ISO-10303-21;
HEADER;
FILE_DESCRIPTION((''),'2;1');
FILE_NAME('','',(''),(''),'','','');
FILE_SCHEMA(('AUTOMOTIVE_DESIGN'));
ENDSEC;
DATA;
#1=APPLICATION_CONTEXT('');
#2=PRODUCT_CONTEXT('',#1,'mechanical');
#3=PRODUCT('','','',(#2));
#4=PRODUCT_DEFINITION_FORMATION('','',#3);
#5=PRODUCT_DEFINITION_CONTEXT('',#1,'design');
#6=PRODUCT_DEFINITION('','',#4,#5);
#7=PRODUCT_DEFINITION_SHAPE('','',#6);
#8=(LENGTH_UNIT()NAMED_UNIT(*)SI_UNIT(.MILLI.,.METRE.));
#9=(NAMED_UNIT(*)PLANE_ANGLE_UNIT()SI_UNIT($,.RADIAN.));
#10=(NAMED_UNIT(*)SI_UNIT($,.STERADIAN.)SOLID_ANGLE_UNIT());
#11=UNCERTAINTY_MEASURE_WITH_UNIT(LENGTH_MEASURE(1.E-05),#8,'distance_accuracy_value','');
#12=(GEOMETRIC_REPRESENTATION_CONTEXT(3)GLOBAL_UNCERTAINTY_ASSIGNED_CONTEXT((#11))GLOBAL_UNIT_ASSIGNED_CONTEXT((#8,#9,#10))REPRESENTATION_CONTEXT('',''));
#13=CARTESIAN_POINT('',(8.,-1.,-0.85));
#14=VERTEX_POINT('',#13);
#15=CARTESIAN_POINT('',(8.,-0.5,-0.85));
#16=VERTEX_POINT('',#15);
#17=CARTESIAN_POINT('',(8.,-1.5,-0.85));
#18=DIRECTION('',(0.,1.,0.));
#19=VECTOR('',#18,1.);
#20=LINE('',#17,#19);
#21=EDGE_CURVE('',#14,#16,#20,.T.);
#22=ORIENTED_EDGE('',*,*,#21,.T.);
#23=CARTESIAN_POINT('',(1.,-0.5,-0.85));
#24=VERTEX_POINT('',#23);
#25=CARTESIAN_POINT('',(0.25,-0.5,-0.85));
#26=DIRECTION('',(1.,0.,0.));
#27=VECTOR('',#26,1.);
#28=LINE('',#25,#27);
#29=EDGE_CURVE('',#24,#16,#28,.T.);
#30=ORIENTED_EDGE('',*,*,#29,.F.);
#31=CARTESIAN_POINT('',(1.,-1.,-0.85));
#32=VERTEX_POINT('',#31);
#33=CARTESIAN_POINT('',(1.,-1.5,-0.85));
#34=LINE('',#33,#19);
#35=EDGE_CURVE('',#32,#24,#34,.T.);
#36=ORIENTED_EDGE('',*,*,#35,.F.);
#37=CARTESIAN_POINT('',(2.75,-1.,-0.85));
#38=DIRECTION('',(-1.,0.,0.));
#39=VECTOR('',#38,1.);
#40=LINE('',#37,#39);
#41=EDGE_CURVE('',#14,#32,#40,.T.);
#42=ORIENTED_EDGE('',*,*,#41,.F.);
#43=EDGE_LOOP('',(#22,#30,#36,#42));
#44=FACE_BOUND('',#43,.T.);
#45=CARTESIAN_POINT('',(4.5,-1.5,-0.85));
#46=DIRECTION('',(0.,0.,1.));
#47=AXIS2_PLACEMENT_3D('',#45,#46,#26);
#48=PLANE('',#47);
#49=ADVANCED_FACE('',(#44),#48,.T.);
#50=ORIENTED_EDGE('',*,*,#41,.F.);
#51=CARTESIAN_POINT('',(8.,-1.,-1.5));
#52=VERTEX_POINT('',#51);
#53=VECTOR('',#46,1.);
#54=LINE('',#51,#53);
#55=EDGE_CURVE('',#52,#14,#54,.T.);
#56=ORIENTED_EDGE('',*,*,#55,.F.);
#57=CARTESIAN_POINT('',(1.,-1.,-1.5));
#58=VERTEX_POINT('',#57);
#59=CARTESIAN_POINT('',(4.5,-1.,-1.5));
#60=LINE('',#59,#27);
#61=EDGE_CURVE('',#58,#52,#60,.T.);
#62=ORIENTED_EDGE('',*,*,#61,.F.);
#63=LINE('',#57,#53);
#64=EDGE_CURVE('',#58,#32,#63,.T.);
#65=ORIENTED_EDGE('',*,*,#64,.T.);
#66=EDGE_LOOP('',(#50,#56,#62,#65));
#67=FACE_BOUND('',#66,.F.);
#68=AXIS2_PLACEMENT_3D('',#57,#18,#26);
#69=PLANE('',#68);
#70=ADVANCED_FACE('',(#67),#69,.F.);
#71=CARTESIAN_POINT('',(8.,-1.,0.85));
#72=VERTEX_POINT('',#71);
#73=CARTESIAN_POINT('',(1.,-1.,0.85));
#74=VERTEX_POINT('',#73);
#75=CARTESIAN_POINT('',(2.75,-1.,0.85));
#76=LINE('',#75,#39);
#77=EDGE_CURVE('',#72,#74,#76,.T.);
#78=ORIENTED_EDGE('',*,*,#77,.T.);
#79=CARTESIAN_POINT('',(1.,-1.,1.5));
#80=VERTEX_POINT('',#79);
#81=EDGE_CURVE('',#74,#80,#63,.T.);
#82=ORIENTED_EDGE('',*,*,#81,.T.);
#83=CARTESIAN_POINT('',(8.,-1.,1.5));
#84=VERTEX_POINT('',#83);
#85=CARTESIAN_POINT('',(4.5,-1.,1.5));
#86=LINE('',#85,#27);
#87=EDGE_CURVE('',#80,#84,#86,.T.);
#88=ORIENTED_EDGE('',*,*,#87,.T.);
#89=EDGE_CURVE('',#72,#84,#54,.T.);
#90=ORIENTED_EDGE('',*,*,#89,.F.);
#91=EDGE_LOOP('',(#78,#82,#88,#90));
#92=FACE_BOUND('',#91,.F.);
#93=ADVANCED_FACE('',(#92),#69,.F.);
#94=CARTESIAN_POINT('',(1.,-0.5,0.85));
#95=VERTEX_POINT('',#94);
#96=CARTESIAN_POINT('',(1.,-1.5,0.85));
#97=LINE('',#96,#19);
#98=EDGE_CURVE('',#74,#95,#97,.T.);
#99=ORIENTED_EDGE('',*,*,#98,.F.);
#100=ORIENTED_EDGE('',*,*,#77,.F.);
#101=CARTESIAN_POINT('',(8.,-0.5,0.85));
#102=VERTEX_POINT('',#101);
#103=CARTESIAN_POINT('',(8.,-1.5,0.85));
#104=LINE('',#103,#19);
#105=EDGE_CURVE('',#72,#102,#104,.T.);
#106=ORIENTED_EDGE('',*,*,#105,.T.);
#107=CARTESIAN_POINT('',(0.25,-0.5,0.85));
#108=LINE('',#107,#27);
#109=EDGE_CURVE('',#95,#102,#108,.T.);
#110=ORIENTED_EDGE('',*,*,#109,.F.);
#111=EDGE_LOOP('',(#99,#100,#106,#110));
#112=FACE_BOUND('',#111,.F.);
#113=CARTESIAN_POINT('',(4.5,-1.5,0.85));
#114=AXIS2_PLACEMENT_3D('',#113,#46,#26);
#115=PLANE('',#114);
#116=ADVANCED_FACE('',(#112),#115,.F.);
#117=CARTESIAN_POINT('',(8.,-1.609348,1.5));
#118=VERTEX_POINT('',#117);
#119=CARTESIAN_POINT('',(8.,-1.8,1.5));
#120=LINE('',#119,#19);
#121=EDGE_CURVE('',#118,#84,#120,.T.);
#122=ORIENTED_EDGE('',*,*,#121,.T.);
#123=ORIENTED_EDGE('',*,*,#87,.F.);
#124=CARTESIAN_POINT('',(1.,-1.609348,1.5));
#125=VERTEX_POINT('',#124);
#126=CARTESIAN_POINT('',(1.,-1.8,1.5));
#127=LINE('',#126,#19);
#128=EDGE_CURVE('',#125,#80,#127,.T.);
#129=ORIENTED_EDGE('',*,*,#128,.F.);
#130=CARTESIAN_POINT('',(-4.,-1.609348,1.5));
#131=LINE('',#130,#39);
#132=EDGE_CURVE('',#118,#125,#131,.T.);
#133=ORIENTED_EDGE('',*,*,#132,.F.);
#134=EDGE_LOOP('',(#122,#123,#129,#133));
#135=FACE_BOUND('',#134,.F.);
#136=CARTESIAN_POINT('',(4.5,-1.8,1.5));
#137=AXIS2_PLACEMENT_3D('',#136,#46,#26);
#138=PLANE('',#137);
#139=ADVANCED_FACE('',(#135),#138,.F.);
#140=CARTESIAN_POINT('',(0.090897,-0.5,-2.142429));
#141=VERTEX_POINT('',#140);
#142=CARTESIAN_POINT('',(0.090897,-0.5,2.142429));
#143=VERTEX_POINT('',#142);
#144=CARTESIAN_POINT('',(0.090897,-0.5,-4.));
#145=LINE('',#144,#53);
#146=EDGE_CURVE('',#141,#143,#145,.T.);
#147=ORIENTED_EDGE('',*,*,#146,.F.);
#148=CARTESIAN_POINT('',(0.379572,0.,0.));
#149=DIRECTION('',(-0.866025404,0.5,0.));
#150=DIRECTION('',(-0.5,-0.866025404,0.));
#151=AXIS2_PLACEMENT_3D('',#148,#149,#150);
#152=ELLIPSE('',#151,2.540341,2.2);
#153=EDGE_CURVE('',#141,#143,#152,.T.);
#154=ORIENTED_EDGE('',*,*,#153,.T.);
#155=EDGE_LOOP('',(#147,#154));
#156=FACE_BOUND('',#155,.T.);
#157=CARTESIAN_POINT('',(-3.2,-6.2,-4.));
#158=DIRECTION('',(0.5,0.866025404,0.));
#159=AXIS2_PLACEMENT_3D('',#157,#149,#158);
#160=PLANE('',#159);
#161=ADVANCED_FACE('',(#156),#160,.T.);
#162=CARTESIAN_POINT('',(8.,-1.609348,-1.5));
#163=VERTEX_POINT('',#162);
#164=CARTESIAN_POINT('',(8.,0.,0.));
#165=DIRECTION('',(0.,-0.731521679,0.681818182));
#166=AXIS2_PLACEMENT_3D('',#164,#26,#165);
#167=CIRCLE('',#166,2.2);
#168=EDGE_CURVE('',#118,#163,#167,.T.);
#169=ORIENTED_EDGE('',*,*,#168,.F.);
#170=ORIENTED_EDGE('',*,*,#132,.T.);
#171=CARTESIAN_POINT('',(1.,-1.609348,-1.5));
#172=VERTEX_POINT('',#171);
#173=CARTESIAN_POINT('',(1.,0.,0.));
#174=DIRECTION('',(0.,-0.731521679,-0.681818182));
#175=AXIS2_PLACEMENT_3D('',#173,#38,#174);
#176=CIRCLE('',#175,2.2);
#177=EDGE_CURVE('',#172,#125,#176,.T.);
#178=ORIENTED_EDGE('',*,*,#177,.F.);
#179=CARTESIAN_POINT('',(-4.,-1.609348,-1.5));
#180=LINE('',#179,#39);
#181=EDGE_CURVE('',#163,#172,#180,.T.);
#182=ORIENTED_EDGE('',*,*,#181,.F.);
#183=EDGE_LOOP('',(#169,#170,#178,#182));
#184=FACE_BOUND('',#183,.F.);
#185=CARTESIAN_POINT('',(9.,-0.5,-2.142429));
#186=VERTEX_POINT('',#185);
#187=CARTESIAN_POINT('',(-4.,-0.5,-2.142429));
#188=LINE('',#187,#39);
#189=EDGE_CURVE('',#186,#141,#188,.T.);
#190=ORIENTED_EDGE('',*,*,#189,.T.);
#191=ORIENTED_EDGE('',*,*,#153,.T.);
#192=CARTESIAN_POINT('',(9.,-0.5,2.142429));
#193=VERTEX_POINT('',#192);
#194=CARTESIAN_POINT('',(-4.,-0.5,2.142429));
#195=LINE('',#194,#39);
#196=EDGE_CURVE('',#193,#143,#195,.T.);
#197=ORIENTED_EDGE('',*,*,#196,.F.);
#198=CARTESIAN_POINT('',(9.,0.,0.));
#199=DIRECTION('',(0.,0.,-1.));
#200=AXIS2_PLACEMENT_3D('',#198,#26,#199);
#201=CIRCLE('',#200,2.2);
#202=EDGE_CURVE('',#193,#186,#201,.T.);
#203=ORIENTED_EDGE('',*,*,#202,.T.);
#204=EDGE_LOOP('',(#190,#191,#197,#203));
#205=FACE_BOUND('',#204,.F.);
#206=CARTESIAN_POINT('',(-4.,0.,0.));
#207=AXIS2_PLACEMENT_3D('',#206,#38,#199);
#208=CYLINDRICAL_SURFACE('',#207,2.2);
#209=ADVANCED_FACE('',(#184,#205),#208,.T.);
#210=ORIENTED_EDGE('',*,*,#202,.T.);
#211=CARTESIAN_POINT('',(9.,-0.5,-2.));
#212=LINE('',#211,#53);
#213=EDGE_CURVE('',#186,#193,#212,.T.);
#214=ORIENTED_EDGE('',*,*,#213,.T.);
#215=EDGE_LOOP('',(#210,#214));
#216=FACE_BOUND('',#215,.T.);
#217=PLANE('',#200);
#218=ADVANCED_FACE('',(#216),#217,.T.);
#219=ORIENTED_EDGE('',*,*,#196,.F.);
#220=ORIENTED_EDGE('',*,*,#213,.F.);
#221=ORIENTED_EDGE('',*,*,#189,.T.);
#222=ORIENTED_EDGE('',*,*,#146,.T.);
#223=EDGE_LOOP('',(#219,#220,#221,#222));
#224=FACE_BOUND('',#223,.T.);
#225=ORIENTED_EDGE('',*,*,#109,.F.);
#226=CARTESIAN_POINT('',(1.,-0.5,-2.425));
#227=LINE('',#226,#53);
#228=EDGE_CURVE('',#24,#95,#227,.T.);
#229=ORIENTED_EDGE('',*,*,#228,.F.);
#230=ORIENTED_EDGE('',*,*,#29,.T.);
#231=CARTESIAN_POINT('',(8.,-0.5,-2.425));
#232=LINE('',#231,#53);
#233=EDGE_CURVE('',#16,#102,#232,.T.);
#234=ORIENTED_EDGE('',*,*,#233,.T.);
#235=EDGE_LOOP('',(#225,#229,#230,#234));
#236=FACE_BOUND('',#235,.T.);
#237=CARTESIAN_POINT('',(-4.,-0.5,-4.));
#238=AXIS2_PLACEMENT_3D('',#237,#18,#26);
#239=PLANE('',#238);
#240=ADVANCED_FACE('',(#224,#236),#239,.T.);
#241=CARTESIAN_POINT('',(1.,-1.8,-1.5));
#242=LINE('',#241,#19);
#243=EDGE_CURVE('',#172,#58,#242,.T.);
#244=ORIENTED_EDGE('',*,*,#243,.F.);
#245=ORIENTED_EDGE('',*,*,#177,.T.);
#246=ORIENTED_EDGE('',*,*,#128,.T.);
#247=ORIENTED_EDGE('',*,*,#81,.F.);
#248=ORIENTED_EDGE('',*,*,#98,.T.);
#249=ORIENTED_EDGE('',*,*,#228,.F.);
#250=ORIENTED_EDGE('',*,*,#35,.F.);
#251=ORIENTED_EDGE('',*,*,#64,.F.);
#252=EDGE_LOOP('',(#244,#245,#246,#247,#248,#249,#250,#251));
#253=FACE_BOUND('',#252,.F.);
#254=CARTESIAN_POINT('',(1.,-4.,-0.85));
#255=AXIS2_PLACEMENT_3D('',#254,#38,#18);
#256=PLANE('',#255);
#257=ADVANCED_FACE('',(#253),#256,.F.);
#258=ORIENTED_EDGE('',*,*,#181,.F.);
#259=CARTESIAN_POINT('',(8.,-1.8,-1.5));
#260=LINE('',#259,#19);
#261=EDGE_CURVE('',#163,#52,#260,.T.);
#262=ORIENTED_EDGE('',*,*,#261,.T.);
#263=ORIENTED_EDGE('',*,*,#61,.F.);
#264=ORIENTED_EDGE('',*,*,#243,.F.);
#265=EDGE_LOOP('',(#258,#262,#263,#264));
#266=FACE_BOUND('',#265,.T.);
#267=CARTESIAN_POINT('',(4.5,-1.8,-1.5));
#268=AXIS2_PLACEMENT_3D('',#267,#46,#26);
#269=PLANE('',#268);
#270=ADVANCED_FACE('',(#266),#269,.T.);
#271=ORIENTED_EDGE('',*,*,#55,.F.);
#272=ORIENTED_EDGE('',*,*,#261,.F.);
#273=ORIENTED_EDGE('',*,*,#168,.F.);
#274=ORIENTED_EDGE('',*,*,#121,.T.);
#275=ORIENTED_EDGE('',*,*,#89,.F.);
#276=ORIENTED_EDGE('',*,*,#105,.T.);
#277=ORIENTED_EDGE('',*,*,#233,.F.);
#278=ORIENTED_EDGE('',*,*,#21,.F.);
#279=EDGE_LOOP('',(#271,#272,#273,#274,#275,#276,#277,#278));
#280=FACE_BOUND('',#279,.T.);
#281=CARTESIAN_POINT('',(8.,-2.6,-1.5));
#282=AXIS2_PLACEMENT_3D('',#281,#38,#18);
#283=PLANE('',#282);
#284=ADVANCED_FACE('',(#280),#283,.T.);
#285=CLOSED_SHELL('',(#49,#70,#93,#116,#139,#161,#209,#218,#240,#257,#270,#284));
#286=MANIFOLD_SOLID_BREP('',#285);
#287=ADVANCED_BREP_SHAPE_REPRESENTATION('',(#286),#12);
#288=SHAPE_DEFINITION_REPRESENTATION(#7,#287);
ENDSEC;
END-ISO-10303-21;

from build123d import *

# Parameters (mm, degrees)
BOX003_W               = 14
BOX003_H               = 10
BOX003_DEPTH           = 10
BOX003_PLACEMENT_ANGLE = 60
BOX002_W               = 7
BOX002_H               = 1.6
BOX002_DEPTH           = 3
BOX001_W               = 7
BOX001_H               = 5
BOX001_DEPTH           = 1.7
BOX_W                  = 14
BOX_H                  = 7
BOX_DEPTH              = 10
CYLINDER_R             = 2.2
CYLINDER_DEPTH         = 13


with BuildPart() as w_rfel003:
    # Box003 → Box003 (new body)
    with BuildSketch(Plane.XY):
        with Locations((7, 5)):
            Rectangle(BOX003_W, BOX003_H)
    extrude(amount=BOX003_DEPTH)


with BuildPart() as w_rfel003_1:
    # Box003 placement: moved
    add(w_rfel003.part.moved(Location((-3.2, -6.2, -4))).rotate(Axis((-3.2, -6.2, -4), (0, 0, 1)), BOX003_PLACEMENT_ANGLE))


with BuildPart() as w_rfel002:
    # Box002 → Box002 (new body)
    with BuildSketch(Plane(origin=(1, -2.6, -1.5), x_dir=(1, 0, 0), z_dir=(0, 0, 1))):
        with Locations((3.5, 0.8)):
            Rectangle(BOX002_W, BOX002_H)
    extrude(amount=BOX002_DEPTH)


with BuildPart() as w_rfel001:
    # Box001 → Box001 (new body)
    with BuildSketch(Plane(origin=(1, -4, -0.85), x_dir=(1, 0, 0), z_dir=(0, 0, 1))):
        with Locations((3.5, 2.5)):
            Rectangle(BOX001_W, BOX001_H)
    extrude(amount=BOX001_DEPTH)


with BuildPart() as w_rfel:
    # Box → Box (new body)
    with BuildSketch(Plane(origin=(-4, -0.5, -4), x_dir=(1, 0, 0), z_dir=(0, 0, 1))):
        with Locations((7, 3.5)):
            Rectangle(BOX_W, BOX_H)
    extrude(amount=BOX_DEPTH)


with BuildPart() as body:
    # Sketch → Revolution (revolve)
    with BuildSketch(Plane.XY):
        with BuildLine():
            add(Edge.make_bspline(
                [(1.699821, 2.2), (2.24, 1.1), (2.24, 0)],
                knots=[-2.2, -2.2, -2.2, 0, 0, 0], degree=2))
            Line((2.24, 0), (1.699821, 0))
            Line((1.699821, 0), (1.699821, 2.2))
        make_face()
    revolve(axis=Axis((0, 0, 0), (1, 0, 0)))


with BuildPart() as body_1:
    # Body placement: moved
    add(body.part.moved(Location((-1.7, 20, 0))))


with BuildPart() as cut004:
    # Cylinder → Cylinder (new body)
    with BuildSketch(Plane(origin=(-4, 0, 0), x_dir=(0, 0, -1), z_dir=(1, 0, 0))):
        Circle(CYLINDER_R)
    extrude(amount=CYLINDER_DEPTH)

    # Cut: cut Body
    add(body_1.part, mode=Mode.SUBTRACT)

    # Cut001: cut Würfel
    add(w_rfel.part, mode=Mode.SUBTRACT)

    # Cut002: cut Würfel001
    add(w_rfel001.part, mode=Mode.SUBTRACT)

    # Cut003: cut Würfel002
    add(w_rfel002.part, mode=Mode.SUBTRACT)

    # Cut004: cut Würfel003
    add(w_rfel003_1.part, mode=Mode.SUBTRACT)


solid = cut004.part
